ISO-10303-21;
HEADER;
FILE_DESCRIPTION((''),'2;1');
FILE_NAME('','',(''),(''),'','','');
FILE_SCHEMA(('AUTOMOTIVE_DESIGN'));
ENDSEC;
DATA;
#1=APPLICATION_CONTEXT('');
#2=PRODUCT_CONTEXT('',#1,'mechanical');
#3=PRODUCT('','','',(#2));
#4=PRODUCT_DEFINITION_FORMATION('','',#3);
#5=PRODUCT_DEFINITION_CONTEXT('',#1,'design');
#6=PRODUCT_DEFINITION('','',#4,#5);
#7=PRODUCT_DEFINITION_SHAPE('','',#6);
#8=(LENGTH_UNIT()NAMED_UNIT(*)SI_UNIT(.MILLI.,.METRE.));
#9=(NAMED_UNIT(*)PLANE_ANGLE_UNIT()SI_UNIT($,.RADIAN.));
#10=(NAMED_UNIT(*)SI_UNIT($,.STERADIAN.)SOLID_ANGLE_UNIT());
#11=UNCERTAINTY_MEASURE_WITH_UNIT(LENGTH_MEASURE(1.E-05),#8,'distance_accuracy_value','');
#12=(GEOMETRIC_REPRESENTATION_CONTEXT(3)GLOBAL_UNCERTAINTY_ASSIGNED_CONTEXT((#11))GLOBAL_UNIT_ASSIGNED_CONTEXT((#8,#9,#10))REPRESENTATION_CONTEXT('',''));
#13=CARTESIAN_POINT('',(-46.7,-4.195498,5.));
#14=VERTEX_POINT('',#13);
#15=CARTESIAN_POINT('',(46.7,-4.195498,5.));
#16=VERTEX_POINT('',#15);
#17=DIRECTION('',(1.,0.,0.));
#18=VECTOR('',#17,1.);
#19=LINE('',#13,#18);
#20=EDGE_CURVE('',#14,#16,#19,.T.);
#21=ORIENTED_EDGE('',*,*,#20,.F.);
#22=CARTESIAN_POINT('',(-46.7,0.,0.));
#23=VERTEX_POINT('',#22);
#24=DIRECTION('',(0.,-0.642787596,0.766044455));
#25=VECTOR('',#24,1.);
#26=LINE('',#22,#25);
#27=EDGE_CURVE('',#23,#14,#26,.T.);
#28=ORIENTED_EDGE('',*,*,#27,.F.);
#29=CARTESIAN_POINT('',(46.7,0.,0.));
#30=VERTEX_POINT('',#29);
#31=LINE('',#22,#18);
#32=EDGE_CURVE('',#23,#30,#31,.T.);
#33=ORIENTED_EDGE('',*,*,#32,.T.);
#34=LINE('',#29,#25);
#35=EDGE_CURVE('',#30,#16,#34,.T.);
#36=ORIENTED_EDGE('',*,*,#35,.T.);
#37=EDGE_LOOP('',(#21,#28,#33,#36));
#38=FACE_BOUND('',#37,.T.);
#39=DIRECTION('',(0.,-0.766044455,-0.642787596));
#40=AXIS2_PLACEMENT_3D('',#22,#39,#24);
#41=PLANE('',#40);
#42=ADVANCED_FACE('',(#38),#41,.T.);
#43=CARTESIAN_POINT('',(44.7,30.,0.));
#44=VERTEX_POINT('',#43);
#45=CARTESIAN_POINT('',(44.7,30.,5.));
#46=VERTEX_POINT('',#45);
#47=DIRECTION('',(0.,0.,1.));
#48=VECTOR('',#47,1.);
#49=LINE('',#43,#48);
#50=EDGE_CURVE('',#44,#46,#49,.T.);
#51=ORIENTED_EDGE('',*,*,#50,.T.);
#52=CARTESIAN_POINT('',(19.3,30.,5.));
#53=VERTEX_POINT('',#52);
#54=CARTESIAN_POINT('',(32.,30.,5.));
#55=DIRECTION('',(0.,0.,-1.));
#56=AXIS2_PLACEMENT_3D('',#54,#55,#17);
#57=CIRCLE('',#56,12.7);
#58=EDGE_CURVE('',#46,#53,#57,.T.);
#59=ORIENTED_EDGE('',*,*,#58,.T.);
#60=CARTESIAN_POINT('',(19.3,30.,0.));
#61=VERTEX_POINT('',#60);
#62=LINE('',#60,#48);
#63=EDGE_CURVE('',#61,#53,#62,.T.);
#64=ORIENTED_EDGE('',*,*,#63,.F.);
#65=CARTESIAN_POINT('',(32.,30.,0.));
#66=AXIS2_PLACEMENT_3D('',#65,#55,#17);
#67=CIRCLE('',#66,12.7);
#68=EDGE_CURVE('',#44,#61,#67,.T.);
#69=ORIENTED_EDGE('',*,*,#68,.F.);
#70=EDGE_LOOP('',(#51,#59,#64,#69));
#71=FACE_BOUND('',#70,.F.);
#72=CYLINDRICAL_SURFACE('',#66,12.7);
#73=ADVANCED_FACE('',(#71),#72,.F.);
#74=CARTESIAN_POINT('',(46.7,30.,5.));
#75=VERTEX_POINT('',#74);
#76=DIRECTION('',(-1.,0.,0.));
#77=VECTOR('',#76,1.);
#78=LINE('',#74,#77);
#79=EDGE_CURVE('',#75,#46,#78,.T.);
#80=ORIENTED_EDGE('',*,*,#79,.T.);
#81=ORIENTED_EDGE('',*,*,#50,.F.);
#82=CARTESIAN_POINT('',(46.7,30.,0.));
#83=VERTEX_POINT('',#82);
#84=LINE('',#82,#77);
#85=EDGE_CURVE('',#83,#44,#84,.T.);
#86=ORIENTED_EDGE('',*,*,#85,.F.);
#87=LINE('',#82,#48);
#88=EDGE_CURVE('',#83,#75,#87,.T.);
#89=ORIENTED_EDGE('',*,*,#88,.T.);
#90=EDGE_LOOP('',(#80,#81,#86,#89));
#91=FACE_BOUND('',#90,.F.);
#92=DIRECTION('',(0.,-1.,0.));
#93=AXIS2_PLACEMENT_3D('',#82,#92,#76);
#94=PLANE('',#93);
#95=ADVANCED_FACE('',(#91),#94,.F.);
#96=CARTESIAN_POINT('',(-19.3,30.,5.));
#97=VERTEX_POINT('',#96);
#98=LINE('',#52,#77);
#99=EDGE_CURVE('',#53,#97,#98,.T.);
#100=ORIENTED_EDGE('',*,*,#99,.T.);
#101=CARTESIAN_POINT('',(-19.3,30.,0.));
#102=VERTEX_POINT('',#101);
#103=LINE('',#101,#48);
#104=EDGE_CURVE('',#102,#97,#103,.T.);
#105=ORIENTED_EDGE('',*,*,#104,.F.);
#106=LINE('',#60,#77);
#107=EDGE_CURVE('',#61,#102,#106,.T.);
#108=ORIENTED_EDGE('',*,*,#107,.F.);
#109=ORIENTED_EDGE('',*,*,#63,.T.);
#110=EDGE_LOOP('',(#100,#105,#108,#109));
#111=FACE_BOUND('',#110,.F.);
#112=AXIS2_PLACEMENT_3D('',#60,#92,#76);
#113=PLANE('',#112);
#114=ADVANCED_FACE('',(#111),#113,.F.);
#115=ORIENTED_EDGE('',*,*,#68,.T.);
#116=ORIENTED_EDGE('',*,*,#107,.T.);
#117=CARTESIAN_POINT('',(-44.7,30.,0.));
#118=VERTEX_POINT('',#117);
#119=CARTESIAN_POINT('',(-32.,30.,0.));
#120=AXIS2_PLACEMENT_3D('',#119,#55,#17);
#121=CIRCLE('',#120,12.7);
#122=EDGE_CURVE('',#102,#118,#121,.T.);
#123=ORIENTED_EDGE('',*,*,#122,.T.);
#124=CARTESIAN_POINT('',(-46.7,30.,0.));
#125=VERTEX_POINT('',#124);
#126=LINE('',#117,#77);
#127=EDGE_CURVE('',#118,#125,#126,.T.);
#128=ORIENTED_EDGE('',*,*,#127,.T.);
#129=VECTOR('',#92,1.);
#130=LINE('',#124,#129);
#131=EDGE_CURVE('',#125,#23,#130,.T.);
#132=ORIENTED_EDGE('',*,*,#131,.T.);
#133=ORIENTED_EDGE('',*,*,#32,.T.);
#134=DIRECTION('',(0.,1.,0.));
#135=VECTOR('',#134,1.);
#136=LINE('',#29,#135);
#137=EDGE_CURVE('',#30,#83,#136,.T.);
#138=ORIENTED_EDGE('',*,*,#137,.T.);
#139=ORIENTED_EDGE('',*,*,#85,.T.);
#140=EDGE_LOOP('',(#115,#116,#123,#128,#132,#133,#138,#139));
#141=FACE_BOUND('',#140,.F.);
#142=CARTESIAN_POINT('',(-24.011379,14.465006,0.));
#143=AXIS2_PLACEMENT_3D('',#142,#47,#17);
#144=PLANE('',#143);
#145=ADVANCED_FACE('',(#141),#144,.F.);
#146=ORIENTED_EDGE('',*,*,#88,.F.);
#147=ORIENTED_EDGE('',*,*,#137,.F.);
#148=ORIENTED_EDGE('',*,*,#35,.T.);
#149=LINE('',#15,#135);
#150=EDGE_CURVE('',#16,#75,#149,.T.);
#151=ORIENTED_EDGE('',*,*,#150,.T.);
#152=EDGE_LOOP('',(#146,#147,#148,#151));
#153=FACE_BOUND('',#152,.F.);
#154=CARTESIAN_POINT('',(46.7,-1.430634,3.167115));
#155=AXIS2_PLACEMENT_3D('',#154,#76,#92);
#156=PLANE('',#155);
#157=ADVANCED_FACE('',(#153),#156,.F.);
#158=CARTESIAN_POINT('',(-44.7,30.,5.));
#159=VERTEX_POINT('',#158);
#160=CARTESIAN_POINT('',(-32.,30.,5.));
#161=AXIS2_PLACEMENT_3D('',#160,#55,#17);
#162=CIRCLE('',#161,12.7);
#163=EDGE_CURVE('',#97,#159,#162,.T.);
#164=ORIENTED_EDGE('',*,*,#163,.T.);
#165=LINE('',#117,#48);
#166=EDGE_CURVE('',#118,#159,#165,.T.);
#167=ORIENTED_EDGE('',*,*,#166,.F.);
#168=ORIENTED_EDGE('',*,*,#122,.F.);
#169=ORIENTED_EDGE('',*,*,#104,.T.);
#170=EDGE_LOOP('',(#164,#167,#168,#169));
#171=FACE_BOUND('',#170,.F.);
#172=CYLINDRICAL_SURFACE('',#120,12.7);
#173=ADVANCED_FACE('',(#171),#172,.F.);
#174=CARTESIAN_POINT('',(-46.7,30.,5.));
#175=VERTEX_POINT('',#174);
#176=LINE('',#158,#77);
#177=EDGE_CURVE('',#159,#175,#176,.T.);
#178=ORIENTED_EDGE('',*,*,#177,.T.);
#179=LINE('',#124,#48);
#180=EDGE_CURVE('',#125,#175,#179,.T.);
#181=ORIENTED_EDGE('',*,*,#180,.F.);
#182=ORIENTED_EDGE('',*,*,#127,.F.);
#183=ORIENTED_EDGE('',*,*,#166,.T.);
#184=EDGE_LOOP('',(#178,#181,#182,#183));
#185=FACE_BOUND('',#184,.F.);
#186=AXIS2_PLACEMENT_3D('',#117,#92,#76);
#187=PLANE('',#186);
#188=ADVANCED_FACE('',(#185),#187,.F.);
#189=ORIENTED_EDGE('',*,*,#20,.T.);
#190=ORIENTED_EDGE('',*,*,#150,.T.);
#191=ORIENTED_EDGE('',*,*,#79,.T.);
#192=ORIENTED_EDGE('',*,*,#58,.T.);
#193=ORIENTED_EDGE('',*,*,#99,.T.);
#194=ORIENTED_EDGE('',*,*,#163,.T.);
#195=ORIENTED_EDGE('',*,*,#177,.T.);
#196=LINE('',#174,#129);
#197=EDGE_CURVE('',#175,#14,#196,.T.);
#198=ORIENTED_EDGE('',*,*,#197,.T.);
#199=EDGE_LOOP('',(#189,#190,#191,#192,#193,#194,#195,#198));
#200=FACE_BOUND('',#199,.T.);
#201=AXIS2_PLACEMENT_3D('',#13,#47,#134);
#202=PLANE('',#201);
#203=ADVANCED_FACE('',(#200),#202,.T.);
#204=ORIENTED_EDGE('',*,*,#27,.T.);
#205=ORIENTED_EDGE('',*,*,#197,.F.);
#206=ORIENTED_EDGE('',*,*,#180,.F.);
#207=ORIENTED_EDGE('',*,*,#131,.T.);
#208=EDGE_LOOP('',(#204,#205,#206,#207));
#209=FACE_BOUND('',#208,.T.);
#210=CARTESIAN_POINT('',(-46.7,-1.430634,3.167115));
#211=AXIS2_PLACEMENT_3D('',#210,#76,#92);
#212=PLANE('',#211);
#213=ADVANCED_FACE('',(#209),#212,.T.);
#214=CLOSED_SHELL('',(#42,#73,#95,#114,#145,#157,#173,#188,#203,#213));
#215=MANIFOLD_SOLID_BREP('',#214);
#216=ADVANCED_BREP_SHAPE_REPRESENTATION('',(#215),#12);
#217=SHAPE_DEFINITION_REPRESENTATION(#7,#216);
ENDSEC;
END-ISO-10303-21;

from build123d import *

# Parameters (mm, degrees)
F1_DEPTH = 5
F3_DEPTH = 93.4


with BuildPart() as f1:
    # F0 (on Top) → F1 (new body)
    with BuildSketch(Plane.XY):
        with BuildLine():
            Line((-46.7, 0), (0, 0))
            Line((0, 0), (0, 30))
            Line((0, 30), (-19.3, 30))
            ThreePointArc((-19.3, 30), (-32, 17.3), (-44.7, 30))
            Line((-44.7, 30), (-46.7, 30))
            Line((-46.7, 30), (-46.7, 0))
        make_face()
        with BuildLine():
            Line((0, 30), (0, 0))
            Line((0, 0), (46.7, 0))
            Line((46.7, 0), (46.7, 30))
            Line((46.7, 30), (44.7, 30))
            ThreePointArc((44.7, 30), (32, 17.3), (19.3, 30))
            Line((19.3, 30), (0, 30))
        make_face()
    extrude(amount=F1_DEPTH)

    # F2 (on face) → F3 (join, through all)
    with BuildSketch(Plane(origin=(-46.7, 0, 0), x_dir=(0, -1, 0), z_dir=(-1, 0, 0))):
        Polygon((0, 5), (0, 0), (4.195498, 5), align=None)
    extrude(amount=-F3_DEPTH)


solid = f1.part
